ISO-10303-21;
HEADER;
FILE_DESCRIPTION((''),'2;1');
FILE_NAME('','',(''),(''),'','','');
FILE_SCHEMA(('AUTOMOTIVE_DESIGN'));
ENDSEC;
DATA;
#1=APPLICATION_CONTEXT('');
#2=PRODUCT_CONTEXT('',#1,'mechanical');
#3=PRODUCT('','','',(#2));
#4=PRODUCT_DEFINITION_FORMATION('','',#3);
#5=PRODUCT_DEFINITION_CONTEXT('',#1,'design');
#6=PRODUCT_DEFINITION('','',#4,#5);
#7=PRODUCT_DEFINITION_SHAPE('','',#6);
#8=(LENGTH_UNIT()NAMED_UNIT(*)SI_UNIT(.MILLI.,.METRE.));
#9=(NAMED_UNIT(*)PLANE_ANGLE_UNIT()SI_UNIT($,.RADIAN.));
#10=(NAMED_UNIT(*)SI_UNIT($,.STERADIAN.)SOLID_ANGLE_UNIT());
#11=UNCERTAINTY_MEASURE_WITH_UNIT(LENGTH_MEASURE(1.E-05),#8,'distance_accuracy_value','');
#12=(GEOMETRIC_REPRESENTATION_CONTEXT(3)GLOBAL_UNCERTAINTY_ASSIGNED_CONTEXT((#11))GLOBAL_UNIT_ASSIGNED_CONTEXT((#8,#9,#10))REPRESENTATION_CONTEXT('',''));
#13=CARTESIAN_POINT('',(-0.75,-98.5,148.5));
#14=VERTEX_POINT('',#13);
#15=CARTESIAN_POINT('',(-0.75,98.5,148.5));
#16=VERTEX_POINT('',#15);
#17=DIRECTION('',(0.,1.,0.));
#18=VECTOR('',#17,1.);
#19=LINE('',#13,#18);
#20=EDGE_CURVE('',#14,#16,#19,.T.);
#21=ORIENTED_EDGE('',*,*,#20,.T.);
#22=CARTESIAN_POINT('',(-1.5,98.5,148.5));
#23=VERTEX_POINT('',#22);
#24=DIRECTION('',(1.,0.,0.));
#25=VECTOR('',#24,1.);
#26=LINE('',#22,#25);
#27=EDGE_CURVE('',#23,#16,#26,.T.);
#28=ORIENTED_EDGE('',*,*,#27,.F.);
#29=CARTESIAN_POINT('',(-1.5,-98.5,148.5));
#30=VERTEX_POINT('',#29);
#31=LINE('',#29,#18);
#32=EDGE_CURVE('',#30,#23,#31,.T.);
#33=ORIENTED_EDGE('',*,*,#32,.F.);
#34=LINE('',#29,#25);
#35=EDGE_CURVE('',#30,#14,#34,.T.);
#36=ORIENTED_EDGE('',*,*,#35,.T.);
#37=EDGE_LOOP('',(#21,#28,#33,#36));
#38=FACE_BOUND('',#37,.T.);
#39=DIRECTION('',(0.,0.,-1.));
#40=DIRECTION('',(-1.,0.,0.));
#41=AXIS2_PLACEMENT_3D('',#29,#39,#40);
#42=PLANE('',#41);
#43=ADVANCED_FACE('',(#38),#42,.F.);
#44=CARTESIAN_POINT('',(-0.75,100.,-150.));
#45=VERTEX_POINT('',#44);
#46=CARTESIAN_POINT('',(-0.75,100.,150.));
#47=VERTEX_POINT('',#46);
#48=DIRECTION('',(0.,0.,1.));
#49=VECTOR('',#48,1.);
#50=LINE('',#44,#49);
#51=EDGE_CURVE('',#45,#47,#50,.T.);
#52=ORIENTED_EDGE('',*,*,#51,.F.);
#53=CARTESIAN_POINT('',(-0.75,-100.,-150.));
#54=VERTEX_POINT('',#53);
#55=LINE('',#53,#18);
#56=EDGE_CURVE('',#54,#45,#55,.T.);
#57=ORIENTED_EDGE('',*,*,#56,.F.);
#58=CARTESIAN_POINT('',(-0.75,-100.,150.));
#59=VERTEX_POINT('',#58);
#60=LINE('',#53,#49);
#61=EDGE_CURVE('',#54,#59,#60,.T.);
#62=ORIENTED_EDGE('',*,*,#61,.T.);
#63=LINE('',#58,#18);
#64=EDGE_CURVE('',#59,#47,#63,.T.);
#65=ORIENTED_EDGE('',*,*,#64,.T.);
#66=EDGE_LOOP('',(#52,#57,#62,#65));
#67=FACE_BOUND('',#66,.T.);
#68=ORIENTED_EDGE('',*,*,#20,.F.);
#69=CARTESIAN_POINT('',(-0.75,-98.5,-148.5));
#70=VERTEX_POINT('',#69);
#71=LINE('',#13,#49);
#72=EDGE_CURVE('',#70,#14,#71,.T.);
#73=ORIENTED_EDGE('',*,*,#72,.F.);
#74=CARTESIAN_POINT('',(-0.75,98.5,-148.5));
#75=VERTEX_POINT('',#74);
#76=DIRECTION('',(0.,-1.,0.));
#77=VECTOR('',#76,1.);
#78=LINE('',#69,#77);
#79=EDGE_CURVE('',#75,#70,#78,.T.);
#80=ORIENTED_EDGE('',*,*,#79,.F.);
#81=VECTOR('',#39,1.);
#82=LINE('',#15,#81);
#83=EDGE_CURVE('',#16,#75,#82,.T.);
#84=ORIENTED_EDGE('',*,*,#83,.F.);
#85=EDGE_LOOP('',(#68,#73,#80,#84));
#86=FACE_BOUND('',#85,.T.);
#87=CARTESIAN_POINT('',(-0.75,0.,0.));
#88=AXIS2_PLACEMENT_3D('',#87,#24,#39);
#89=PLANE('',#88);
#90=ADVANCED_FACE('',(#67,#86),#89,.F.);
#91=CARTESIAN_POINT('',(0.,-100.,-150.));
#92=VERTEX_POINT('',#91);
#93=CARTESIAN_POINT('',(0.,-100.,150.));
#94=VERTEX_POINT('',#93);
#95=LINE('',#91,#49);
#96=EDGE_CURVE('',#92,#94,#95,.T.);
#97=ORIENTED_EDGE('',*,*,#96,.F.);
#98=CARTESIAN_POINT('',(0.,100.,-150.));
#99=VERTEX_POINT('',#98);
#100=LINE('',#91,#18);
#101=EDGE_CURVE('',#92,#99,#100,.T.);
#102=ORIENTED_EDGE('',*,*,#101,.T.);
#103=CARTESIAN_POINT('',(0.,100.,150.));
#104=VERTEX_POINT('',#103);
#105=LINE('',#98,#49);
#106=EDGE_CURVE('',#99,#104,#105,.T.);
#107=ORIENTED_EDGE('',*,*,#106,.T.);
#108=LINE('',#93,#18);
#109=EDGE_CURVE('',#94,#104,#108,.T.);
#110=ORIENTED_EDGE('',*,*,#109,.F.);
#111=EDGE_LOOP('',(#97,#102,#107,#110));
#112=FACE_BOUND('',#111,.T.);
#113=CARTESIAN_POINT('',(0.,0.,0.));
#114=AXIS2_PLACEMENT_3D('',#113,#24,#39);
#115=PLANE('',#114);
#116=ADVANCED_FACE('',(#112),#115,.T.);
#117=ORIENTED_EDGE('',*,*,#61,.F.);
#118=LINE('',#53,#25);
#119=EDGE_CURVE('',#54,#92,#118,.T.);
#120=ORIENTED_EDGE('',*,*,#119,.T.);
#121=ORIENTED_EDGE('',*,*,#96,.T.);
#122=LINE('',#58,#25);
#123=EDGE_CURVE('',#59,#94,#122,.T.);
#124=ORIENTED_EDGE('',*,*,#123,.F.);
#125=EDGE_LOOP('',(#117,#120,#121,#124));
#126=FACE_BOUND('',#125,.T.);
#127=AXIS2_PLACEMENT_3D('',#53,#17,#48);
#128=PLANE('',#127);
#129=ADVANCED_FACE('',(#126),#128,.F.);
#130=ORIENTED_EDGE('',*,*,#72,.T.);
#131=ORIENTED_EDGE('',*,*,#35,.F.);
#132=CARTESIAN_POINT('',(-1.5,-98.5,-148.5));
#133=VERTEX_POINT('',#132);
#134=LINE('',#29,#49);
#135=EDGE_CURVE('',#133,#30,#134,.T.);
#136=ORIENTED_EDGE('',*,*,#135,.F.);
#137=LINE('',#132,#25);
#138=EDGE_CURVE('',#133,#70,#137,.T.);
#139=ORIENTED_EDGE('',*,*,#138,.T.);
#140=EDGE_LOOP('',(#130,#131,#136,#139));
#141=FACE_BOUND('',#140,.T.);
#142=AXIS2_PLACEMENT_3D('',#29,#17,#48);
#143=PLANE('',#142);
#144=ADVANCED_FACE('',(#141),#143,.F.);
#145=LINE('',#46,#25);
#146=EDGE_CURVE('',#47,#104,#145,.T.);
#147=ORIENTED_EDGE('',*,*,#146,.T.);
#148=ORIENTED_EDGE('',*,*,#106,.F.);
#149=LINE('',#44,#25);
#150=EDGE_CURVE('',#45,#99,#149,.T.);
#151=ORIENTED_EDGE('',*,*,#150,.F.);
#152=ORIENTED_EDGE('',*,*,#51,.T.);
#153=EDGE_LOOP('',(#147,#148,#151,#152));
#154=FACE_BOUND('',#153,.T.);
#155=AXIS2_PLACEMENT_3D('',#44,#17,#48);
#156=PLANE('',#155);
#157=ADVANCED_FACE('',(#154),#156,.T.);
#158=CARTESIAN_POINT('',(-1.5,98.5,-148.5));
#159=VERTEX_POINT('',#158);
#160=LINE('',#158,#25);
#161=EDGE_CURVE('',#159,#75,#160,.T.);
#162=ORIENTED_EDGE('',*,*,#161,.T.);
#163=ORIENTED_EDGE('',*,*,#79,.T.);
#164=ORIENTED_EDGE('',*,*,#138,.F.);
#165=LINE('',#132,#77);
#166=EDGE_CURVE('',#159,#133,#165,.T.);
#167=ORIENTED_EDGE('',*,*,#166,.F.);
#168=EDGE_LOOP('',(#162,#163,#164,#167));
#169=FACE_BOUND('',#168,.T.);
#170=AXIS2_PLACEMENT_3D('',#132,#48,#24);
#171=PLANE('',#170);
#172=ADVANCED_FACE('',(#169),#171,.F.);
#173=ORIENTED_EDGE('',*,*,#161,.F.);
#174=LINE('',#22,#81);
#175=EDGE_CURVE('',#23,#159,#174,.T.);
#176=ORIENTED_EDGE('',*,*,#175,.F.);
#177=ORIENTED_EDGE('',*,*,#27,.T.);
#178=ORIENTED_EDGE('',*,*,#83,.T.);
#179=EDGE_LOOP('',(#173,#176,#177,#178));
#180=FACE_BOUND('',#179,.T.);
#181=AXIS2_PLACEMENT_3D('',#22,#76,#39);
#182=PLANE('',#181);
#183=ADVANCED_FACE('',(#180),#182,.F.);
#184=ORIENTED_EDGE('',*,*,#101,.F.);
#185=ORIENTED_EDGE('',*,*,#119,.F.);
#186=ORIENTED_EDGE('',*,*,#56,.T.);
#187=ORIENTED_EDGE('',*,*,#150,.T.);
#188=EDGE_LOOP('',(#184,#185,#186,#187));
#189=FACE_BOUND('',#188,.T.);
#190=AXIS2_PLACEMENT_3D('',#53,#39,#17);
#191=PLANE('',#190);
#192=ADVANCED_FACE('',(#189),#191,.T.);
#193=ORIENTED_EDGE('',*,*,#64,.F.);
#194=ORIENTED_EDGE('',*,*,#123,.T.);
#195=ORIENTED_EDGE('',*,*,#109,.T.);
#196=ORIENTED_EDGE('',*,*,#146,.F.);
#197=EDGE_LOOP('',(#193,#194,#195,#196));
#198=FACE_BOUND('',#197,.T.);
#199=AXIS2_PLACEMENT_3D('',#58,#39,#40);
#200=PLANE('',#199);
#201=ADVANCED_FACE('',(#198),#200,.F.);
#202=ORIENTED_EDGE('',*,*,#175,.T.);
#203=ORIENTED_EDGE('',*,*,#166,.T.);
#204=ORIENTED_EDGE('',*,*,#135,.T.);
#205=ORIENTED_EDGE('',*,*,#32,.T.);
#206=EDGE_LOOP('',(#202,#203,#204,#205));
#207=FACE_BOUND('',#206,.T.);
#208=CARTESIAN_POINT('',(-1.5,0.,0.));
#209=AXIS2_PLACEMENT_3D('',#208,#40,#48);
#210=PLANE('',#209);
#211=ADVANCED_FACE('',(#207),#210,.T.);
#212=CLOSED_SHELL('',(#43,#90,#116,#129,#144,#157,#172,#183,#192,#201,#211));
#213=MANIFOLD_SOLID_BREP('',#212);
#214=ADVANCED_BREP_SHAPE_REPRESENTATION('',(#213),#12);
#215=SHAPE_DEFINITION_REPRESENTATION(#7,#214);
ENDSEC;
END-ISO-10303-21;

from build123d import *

# Parameters (mm, degrees)
SKETCH_1_W      = 300
SKETCH_1_H      = 200
EXTRUDE_1_DEPTH = 0.75
SKETCH_2_W      = 297
SKETCH_2_H      = 197
EXTRUDE_2_DEPTH = 0.75


with BuildPart() as part:
    # Эскиз1 → Бобышка-Вытянуть1 (new body)
    with BuildSketch(Plane(origin=(0, 0, 0), x_dir=(0, 0, -1), z_dir=(1, 0, 0))):
        Rectangle(SKETCH_1_W, SKETCH_1_H)
    extrude(amount=-EXTRUDE_1_DEPTH)

    # Эскиз2 → Бобышка-Вытянуть2 (add)
    with BuildSketch(Plane.ZY.offset(0.75)):
        Rectangle(SKETCH_2_W, SKETCH_2_H)
    extrude(amount=EXTRUDE_2_DEPTH)


solid = part.part
